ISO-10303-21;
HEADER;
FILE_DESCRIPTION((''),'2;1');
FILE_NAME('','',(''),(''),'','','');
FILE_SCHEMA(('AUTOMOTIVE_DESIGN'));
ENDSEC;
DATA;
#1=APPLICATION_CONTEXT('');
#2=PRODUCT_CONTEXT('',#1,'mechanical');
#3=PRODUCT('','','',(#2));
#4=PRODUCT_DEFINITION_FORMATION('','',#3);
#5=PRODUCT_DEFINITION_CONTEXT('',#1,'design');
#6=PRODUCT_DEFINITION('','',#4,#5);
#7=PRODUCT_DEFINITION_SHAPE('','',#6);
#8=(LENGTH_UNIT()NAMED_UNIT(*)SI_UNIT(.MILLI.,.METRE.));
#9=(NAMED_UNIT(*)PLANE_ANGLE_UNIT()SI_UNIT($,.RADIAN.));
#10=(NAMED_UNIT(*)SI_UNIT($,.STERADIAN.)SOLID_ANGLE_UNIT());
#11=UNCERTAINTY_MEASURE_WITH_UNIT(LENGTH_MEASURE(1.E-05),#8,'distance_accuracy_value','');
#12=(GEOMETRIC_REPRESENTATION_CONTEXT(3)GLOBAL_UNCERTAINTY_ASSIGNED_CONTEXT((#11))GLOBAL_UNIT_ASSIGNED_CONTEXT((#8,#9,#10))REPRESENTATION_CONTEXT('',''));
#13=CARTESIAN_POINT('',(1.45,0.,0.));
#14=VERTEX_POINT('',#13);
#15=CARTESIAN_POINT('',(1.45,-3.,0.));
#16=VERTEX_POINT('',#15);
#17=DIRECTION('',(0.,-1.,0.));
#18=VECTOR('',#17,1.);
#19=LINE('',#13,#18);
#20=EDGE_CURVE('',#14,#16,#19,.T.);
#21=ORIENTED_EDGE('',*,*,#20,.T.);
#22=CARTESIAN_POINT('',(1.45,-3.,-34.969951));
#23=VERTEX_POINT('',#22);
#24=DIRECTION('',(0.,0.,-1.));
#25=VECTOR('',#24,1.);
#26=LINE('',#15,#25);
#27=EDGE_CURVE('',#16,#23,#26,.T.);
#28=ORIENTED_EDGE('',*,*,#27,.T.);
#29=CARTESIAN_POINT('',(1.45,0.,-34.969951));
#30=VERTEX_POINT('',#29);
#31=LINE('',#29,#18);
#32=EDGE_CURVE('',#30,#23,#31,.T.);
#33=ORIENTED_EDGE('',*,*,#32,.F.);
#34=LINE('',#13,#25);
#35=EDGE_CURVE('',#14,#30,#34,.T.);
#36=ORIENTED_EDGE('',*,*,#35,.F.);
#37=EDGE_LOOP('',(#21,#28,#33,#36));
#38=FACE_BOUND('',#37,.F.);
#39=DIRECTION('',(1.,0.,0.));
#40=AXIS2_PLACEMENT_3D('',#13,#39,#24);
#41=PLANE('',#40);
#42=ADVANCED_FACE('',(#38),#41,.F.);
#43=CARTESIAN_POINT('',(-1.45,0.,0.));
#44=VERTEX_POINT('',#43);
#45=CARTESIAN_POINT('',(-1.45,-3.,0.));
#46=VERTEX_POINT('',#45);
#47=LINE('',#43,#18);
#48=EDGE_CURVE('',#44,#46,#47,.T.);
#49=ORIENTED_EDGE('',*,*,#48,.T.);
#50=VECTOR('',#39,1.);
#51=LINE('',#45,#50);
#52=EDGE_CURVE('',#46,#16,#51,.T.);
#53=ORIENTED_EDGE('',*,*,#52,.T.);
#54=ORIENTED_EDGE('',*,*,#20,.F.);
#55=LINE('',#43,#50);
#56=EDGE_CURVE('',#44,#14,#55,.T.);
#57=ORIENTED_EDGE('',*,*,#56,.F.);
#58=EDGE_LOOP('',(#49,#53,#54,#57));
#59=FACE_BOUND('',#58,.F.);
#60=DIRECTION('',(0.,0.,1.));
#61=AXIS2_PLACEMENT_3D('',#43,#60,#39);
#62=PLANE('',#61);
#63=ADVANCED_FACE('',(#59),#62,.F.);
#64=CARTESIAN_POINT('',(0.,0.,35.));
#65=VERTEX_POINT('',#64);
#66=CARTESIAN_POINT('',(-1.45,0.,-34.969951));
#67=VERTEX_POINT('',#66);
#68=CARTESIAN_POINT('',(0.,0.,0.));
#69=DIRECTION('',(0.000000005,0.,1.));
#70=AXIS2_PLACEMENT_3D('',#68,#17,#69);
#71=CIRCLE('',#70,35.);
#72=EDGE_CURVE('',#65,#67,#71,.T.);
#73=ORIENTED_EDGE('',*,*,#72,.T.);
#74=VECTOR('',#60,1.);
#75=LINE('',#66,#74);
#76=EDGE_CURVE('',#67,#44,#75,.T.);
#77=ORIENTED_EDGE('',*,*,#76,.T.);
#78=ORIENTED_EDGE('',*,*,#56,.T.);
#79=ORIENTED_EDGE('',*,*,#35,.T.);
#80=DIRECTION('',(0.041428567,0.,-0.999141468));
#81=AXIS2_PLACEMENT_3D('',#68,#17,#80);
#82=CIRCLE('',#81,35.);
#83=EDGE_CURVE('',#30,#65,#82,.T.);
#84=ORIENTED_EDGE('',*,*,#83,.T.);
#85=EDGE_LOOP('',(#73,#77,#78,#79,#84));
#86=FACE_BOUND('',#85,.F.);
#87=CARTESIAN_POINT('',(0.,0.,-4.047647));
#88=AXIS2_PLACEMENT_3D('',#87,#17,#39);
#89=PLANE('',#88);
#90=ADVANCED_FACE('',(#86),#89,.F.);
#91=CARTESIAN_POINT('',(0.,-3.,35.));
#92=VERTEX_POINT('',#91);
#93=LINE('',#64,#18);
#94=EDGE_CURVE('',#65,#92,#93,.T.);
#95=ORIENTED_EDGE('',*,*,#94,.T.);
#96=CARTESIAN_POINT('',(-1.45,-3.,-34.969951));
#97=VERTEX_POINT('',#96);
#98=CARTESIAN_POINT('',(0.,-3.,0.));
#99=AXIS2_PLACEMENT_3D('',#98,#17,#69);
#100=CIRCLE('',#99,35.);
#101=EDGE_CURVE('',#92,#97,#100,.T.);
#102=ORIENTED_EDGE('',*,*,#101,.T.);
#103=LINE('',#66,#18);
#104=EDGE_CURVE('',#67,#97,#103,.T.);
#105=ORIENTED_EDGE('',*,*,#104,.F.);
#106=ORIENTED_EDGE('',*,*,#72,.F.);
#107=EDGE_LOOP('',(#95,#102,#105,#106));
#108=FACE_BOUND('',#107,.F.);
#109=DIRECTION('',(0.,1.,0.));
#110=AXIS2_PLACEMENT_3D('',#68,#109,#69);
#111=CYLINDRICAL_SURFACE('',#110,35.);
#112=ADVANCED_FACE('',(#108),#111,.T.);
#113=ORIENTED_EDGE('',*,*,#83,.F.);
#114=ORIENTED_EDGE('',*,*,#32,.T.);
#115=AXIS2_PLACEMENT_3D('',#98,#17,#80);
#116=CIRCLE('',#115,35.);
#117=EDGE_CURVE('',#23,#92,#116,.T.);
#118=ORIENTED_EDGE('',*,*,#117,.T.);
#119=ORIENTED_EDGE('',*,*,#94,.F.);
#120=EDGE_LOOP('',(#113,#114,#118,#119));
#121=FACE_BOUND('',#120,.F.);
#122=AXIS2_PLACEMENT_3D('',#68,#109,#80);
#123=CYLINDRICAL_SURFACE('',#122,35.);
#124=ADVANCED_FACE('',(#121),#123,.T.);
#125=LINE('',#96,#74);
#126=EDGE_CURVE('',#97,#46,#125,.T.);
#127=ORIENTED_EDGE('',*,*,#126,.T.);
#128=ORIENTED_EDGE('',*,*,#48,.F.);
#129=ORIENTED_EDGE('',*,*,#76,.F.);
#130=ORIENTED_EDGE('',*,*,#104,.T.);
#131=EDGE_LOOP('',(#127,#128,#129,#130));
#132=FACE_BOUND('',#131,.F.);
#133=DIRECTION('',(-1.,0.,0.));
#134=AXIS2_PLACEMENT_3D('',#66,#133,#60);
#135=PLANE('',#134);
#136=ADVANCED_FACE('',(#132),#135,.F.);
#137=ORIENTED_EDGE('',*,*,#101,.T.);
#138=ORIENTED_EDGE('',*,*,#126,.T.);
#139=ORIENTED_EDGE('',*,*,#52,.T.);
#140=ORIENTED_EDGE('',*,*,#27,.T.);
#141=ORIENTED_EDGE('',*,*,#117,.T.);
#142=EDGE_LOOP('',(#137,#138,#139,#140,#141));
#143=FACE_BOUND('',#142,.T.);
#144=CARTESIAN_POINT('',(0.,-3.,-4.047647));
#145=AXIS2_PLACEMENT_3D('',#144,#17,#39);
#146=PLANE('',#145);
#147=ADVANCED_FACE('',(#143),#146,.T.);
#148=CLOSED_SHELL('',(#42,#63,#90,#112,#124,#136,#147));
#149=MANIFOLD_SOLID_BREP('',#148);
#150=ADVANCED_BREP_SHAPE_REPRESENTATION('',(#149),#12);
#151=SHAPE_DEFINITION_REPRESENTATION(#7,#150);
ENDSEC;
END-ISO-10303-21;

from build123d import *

# Parameters (mm, degrees)
F1_DEPTH = 3


with BuildPart() as f1:
    # F0 (on Front) → F1 (new body)
    with BuildSketch(Plane.XZ):
        with BuildLine():
            Line((1.45, 0), (1.45, -34.969951))
            ThreePointArc((1.45, -34.969951), (34.992487, 0.725156), (0, 35))
            ThreePointArc((0, 35), (-34.992487, 0.725156), (-1.45, -34.969951))
            Line((-1.45, -34.969951), (-1.45, 0))
            Line((-1.45, 0), (0, 0))
            Line((0, 0), (1.45, 0))
        make_face()
    extrude(amount=F1_DEPTH)


solid = f1.part
